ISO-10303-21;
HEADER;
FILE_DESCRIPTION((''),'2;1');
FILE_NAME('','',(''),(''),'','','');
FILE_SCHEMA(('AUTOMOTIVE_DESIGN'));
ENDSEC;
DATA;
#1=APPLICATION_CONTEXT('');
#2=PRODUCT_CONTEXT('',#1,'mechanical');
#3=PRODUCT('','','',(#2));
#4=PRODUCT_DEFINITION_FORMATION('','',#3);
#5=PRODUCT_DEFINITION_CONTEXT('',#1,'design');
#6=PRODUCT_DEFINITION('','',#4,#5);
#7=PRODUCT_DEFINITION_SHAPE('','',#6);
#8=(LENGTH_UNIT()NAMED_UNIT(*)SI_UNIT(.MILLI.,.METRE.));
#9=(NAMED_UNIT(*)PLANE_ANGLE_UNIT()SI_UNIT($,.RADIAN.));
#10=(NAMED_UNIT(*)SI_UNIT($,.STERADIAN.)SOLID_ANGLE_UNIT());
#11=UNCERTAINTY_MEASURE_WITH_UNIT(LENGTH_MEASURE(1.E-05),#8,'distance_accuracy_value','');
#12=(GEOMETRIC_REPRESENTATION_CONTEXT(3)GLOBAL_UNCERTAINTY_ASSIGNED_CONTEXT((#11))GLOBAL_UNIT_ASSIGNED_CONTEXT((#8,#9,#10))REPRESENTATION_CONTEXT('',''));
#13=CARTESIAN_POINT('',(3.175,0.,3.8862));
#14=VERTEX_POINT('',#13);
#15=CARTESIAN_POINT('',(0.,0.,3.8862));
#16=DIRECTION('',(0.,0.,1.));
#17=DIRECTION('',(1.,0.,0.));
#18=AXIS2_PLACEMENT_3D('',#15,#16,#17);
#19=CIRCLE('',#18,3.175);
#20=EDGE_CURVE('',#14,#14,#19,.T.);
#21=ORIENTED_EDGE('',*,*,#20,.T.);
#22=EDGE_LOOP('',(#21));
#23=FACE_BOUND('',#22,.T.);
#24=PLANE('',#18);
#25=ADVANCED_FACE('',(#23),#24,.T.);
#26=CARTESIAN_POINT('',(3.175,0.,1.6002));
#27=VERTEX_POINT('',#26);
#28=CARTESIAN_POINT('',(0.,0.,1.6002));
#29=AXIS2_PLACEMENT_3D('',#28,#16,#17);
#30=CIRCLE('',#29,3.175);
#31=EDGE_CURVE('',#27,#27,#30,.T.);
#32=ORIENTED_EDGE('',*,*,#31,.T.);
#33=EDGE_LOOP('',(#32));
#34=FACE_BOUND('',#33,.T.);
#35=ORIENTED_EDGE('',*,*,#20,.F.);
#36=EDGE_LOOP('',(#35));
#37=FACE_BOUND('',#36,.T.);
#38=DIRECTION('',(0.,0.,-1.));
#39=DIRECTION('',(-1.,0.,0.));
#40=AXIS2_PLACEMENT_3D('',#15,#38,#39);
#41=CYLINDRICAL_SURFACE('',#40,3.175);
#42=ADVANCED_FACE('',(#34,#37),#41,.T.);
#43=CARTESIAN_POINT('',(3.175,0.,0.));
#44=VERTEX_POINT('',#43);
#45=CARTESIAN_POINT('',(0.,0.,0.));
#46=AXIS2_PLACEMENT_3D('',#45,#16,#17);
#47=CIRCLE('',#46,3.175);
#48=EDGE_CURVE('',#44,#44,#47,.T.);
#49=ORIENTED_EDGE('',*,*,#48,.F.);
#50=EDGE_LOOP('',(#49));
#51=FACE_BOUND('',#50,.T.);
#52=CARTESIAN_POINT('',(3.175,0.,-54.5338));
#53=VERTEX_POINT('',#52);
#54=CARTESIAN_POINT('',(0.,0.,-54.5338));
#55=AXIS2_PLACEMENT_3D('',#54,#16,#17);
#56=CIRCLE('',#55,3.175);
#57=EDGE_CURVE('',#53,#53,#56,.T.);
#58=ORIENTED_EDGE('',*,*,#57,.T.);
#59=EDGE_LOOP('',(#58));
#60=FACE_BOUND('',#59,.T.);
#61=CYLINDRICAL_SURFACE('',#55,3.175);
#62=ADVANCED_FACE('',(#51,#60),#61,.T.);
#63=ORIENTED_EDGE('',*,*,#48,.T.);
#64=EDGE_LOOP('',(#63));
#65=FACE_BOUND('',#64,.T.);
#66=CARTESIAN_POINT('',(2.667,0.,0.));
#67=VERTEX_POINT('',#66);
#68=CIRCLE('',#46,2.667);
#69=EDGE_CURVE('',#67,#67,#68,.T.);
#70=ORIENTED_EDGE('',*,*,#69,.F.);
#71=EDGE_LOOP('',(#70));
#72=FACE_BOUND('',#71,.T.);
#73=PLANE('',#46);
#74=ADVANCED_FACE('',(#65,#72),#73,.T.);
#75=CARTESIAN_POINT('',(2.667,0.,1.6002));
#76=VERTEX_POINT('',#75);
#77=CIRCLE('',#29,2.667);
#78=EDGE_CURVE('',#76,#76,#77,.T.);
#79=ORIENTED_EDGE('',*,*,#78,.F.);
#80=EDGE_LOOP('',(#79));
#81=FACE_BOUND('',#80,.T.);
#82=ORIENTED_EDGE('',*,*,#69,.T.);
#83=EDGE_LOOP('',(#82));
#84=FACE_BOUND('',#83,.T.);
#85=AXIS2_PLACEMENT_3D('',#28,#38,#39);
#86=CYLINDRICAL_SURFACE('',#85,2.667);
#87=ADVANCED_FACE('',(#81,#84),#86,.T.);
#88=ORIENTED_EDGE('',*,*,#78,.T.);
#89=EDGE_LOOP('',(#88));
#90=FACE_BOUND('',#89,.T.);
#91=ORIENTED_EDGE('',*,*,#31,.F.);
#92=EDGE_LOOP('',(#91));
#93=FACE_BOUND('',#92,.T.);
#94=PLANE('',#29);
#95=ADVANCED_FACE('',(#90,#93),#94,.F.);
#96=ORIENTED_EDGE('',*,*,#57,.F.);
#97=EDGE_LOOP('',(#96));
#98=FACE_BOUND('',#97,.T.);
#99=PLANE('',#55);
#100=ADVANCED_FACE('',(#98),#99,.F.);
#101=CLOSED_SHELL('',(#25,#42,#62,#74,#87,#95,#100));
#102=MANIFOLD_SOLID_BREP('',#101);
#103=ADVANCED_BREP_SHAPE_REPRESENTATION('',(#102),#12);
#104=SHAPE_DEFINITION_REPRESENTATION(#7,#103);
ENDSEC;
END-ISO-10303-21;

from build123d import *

# Parameters (mm, degrees)
SKETCH1_R           = 3.175
BOSS_EXTRUDE1_DEPTH = 54.5338
SKETCH2_R           = 2.667
BOSS_EXTRUDE2_DEPTH = 1.6002
SKETCH3_R           = 3.175
BOSS_EXTRUDE3_DEPTH = 2.286


with BuildPart() as part:
    # Sketch1 → Boss-Extrude1 (new body)
    with BuildSketch(Plane.XY):
        Circle(SKETCH1_R)
    extrude(amount=-BOSS_EXTRUDE1_DEPTH)

    # Sketch2 → Boss-Extrude2 (add)
    with BuildSketch(Plane.XY):
        Circle(SKETCH2_R)
    extrude(amount=BOSS_EXTRUDE2_DEPTH)

    # Sketch3 → Boss-Extrude3 (add)
    with BuildSketch(Plane.XY.offset(1.6002)):
        Circle(SKETCH3_R)
    extrude(amount=BOSS_EXTRUDE3_DEPTH)


solid = part.part
